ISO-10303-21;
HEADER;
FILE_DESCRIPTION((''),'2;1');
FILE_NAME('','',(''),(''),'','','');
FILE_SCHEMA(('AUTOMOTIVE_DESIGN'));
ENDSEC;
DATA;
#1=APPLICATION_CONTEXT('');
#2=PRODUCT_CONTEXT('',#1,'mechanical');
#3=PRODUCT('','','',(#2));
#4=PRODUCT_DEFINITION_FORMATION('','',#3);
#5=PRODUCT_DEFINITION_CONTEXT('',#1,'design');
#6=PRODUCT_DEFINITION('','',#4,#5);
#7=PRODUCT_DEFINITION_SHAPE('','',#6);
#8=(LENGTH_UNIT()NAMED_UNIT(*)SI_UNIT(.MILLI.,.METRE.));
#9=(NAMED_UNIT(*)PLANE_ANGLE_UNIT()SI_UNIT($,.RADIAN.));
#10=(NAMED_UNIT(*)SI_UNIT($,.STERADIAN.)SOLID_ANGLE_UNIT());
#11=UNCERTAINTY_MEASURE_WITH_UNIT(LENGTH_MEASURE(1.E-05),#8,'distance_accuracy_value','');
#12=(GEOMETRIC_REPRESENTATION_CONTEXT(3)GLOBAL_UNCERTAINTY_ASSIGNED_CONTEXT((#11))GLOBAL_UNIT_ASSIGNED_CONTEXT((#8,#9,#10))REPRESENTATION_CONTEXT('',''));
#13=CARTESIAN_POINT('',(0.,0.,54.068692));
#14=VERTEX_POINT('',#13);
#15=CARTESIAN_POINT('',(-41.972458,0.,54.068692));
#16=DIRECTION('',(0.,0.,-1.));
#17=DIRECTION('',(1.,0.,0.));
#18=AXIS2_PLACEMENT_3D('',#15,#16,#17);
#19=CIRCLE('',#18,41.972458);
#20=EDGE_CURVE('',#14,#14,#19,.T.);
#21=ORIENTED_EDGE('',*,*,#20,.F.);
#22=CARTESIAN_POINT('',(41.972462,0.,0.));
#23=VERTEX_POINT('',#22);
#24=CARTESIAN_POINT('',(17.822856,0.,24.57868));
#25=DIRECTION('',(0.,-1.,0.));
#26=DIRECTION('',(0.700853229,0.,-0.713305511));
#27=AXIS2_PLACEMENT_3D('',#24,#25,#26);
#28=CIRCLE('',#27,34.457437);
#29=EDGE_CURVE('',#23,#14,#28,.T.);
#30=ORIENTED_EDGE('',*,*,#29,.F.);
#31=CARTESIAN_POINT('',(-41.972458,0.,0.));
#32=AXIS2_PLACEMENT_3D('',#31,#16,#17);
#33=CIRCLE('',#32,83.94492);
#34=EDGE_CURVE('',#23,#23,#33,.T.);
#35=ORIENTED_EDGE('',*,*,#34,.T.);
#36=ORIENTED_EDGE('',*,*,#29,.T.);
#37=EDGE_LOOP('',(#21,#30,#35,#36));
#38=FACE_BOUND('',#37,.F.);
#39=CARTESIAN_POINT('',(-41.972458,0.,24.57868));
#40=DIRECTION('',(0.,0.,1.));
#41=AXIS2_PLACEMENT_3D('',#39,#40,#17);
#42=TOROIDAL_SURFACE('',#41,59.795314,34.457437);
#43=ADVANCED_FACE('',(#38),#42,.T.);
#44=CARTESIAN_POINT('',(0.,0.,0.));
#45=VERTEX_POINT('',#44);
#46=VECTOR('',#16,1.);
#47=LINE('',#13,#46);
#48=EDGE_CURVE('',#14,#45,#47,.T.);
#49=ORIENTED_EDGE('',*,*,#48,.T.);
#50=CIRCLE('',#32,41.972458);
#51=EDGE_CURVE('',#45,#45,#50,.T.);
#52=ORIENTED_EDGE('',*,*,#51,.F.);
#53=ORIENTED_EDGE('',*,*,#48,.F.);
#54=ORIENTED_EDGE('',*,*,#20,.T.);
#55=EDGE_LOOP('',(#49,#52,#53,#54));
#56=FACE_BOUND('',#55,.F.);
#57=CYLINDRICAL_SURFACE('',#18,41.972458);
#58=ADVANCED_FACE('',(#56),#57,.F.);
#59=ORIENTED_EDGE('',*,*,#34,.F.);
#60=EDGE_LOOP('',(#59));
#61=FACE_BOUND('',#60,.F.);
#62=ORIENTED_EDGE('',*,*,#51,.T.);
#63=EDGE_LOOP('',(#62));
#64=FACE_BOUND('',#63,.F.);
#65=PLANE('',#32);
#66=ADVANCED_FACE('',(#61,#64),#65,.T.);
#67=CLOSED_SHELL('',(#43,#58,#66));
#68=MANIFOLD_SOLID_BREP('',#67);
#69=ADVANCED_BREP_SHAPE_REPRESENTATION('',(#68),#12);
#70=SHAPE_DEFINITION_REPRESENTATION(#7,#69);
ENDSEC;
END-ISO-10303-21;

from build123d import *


with BuildPart() as f1:
    # F0 (on Front) → F1 (revolve)
    with BuildSketch(Plane.XZ):
        with BuildLine():
            ThreePointArc((41.972462, 0), (45.041651, 45.708095), (0, 54.068692))
            Line((0, 54.068692), (0, 0))
            Line((0, 0), (41.972462, 0))
        make_face()
    revolve(axis=Axis((-41.972458, 0, 19.091641), (0, 0, -1)))


solid = f1.part
